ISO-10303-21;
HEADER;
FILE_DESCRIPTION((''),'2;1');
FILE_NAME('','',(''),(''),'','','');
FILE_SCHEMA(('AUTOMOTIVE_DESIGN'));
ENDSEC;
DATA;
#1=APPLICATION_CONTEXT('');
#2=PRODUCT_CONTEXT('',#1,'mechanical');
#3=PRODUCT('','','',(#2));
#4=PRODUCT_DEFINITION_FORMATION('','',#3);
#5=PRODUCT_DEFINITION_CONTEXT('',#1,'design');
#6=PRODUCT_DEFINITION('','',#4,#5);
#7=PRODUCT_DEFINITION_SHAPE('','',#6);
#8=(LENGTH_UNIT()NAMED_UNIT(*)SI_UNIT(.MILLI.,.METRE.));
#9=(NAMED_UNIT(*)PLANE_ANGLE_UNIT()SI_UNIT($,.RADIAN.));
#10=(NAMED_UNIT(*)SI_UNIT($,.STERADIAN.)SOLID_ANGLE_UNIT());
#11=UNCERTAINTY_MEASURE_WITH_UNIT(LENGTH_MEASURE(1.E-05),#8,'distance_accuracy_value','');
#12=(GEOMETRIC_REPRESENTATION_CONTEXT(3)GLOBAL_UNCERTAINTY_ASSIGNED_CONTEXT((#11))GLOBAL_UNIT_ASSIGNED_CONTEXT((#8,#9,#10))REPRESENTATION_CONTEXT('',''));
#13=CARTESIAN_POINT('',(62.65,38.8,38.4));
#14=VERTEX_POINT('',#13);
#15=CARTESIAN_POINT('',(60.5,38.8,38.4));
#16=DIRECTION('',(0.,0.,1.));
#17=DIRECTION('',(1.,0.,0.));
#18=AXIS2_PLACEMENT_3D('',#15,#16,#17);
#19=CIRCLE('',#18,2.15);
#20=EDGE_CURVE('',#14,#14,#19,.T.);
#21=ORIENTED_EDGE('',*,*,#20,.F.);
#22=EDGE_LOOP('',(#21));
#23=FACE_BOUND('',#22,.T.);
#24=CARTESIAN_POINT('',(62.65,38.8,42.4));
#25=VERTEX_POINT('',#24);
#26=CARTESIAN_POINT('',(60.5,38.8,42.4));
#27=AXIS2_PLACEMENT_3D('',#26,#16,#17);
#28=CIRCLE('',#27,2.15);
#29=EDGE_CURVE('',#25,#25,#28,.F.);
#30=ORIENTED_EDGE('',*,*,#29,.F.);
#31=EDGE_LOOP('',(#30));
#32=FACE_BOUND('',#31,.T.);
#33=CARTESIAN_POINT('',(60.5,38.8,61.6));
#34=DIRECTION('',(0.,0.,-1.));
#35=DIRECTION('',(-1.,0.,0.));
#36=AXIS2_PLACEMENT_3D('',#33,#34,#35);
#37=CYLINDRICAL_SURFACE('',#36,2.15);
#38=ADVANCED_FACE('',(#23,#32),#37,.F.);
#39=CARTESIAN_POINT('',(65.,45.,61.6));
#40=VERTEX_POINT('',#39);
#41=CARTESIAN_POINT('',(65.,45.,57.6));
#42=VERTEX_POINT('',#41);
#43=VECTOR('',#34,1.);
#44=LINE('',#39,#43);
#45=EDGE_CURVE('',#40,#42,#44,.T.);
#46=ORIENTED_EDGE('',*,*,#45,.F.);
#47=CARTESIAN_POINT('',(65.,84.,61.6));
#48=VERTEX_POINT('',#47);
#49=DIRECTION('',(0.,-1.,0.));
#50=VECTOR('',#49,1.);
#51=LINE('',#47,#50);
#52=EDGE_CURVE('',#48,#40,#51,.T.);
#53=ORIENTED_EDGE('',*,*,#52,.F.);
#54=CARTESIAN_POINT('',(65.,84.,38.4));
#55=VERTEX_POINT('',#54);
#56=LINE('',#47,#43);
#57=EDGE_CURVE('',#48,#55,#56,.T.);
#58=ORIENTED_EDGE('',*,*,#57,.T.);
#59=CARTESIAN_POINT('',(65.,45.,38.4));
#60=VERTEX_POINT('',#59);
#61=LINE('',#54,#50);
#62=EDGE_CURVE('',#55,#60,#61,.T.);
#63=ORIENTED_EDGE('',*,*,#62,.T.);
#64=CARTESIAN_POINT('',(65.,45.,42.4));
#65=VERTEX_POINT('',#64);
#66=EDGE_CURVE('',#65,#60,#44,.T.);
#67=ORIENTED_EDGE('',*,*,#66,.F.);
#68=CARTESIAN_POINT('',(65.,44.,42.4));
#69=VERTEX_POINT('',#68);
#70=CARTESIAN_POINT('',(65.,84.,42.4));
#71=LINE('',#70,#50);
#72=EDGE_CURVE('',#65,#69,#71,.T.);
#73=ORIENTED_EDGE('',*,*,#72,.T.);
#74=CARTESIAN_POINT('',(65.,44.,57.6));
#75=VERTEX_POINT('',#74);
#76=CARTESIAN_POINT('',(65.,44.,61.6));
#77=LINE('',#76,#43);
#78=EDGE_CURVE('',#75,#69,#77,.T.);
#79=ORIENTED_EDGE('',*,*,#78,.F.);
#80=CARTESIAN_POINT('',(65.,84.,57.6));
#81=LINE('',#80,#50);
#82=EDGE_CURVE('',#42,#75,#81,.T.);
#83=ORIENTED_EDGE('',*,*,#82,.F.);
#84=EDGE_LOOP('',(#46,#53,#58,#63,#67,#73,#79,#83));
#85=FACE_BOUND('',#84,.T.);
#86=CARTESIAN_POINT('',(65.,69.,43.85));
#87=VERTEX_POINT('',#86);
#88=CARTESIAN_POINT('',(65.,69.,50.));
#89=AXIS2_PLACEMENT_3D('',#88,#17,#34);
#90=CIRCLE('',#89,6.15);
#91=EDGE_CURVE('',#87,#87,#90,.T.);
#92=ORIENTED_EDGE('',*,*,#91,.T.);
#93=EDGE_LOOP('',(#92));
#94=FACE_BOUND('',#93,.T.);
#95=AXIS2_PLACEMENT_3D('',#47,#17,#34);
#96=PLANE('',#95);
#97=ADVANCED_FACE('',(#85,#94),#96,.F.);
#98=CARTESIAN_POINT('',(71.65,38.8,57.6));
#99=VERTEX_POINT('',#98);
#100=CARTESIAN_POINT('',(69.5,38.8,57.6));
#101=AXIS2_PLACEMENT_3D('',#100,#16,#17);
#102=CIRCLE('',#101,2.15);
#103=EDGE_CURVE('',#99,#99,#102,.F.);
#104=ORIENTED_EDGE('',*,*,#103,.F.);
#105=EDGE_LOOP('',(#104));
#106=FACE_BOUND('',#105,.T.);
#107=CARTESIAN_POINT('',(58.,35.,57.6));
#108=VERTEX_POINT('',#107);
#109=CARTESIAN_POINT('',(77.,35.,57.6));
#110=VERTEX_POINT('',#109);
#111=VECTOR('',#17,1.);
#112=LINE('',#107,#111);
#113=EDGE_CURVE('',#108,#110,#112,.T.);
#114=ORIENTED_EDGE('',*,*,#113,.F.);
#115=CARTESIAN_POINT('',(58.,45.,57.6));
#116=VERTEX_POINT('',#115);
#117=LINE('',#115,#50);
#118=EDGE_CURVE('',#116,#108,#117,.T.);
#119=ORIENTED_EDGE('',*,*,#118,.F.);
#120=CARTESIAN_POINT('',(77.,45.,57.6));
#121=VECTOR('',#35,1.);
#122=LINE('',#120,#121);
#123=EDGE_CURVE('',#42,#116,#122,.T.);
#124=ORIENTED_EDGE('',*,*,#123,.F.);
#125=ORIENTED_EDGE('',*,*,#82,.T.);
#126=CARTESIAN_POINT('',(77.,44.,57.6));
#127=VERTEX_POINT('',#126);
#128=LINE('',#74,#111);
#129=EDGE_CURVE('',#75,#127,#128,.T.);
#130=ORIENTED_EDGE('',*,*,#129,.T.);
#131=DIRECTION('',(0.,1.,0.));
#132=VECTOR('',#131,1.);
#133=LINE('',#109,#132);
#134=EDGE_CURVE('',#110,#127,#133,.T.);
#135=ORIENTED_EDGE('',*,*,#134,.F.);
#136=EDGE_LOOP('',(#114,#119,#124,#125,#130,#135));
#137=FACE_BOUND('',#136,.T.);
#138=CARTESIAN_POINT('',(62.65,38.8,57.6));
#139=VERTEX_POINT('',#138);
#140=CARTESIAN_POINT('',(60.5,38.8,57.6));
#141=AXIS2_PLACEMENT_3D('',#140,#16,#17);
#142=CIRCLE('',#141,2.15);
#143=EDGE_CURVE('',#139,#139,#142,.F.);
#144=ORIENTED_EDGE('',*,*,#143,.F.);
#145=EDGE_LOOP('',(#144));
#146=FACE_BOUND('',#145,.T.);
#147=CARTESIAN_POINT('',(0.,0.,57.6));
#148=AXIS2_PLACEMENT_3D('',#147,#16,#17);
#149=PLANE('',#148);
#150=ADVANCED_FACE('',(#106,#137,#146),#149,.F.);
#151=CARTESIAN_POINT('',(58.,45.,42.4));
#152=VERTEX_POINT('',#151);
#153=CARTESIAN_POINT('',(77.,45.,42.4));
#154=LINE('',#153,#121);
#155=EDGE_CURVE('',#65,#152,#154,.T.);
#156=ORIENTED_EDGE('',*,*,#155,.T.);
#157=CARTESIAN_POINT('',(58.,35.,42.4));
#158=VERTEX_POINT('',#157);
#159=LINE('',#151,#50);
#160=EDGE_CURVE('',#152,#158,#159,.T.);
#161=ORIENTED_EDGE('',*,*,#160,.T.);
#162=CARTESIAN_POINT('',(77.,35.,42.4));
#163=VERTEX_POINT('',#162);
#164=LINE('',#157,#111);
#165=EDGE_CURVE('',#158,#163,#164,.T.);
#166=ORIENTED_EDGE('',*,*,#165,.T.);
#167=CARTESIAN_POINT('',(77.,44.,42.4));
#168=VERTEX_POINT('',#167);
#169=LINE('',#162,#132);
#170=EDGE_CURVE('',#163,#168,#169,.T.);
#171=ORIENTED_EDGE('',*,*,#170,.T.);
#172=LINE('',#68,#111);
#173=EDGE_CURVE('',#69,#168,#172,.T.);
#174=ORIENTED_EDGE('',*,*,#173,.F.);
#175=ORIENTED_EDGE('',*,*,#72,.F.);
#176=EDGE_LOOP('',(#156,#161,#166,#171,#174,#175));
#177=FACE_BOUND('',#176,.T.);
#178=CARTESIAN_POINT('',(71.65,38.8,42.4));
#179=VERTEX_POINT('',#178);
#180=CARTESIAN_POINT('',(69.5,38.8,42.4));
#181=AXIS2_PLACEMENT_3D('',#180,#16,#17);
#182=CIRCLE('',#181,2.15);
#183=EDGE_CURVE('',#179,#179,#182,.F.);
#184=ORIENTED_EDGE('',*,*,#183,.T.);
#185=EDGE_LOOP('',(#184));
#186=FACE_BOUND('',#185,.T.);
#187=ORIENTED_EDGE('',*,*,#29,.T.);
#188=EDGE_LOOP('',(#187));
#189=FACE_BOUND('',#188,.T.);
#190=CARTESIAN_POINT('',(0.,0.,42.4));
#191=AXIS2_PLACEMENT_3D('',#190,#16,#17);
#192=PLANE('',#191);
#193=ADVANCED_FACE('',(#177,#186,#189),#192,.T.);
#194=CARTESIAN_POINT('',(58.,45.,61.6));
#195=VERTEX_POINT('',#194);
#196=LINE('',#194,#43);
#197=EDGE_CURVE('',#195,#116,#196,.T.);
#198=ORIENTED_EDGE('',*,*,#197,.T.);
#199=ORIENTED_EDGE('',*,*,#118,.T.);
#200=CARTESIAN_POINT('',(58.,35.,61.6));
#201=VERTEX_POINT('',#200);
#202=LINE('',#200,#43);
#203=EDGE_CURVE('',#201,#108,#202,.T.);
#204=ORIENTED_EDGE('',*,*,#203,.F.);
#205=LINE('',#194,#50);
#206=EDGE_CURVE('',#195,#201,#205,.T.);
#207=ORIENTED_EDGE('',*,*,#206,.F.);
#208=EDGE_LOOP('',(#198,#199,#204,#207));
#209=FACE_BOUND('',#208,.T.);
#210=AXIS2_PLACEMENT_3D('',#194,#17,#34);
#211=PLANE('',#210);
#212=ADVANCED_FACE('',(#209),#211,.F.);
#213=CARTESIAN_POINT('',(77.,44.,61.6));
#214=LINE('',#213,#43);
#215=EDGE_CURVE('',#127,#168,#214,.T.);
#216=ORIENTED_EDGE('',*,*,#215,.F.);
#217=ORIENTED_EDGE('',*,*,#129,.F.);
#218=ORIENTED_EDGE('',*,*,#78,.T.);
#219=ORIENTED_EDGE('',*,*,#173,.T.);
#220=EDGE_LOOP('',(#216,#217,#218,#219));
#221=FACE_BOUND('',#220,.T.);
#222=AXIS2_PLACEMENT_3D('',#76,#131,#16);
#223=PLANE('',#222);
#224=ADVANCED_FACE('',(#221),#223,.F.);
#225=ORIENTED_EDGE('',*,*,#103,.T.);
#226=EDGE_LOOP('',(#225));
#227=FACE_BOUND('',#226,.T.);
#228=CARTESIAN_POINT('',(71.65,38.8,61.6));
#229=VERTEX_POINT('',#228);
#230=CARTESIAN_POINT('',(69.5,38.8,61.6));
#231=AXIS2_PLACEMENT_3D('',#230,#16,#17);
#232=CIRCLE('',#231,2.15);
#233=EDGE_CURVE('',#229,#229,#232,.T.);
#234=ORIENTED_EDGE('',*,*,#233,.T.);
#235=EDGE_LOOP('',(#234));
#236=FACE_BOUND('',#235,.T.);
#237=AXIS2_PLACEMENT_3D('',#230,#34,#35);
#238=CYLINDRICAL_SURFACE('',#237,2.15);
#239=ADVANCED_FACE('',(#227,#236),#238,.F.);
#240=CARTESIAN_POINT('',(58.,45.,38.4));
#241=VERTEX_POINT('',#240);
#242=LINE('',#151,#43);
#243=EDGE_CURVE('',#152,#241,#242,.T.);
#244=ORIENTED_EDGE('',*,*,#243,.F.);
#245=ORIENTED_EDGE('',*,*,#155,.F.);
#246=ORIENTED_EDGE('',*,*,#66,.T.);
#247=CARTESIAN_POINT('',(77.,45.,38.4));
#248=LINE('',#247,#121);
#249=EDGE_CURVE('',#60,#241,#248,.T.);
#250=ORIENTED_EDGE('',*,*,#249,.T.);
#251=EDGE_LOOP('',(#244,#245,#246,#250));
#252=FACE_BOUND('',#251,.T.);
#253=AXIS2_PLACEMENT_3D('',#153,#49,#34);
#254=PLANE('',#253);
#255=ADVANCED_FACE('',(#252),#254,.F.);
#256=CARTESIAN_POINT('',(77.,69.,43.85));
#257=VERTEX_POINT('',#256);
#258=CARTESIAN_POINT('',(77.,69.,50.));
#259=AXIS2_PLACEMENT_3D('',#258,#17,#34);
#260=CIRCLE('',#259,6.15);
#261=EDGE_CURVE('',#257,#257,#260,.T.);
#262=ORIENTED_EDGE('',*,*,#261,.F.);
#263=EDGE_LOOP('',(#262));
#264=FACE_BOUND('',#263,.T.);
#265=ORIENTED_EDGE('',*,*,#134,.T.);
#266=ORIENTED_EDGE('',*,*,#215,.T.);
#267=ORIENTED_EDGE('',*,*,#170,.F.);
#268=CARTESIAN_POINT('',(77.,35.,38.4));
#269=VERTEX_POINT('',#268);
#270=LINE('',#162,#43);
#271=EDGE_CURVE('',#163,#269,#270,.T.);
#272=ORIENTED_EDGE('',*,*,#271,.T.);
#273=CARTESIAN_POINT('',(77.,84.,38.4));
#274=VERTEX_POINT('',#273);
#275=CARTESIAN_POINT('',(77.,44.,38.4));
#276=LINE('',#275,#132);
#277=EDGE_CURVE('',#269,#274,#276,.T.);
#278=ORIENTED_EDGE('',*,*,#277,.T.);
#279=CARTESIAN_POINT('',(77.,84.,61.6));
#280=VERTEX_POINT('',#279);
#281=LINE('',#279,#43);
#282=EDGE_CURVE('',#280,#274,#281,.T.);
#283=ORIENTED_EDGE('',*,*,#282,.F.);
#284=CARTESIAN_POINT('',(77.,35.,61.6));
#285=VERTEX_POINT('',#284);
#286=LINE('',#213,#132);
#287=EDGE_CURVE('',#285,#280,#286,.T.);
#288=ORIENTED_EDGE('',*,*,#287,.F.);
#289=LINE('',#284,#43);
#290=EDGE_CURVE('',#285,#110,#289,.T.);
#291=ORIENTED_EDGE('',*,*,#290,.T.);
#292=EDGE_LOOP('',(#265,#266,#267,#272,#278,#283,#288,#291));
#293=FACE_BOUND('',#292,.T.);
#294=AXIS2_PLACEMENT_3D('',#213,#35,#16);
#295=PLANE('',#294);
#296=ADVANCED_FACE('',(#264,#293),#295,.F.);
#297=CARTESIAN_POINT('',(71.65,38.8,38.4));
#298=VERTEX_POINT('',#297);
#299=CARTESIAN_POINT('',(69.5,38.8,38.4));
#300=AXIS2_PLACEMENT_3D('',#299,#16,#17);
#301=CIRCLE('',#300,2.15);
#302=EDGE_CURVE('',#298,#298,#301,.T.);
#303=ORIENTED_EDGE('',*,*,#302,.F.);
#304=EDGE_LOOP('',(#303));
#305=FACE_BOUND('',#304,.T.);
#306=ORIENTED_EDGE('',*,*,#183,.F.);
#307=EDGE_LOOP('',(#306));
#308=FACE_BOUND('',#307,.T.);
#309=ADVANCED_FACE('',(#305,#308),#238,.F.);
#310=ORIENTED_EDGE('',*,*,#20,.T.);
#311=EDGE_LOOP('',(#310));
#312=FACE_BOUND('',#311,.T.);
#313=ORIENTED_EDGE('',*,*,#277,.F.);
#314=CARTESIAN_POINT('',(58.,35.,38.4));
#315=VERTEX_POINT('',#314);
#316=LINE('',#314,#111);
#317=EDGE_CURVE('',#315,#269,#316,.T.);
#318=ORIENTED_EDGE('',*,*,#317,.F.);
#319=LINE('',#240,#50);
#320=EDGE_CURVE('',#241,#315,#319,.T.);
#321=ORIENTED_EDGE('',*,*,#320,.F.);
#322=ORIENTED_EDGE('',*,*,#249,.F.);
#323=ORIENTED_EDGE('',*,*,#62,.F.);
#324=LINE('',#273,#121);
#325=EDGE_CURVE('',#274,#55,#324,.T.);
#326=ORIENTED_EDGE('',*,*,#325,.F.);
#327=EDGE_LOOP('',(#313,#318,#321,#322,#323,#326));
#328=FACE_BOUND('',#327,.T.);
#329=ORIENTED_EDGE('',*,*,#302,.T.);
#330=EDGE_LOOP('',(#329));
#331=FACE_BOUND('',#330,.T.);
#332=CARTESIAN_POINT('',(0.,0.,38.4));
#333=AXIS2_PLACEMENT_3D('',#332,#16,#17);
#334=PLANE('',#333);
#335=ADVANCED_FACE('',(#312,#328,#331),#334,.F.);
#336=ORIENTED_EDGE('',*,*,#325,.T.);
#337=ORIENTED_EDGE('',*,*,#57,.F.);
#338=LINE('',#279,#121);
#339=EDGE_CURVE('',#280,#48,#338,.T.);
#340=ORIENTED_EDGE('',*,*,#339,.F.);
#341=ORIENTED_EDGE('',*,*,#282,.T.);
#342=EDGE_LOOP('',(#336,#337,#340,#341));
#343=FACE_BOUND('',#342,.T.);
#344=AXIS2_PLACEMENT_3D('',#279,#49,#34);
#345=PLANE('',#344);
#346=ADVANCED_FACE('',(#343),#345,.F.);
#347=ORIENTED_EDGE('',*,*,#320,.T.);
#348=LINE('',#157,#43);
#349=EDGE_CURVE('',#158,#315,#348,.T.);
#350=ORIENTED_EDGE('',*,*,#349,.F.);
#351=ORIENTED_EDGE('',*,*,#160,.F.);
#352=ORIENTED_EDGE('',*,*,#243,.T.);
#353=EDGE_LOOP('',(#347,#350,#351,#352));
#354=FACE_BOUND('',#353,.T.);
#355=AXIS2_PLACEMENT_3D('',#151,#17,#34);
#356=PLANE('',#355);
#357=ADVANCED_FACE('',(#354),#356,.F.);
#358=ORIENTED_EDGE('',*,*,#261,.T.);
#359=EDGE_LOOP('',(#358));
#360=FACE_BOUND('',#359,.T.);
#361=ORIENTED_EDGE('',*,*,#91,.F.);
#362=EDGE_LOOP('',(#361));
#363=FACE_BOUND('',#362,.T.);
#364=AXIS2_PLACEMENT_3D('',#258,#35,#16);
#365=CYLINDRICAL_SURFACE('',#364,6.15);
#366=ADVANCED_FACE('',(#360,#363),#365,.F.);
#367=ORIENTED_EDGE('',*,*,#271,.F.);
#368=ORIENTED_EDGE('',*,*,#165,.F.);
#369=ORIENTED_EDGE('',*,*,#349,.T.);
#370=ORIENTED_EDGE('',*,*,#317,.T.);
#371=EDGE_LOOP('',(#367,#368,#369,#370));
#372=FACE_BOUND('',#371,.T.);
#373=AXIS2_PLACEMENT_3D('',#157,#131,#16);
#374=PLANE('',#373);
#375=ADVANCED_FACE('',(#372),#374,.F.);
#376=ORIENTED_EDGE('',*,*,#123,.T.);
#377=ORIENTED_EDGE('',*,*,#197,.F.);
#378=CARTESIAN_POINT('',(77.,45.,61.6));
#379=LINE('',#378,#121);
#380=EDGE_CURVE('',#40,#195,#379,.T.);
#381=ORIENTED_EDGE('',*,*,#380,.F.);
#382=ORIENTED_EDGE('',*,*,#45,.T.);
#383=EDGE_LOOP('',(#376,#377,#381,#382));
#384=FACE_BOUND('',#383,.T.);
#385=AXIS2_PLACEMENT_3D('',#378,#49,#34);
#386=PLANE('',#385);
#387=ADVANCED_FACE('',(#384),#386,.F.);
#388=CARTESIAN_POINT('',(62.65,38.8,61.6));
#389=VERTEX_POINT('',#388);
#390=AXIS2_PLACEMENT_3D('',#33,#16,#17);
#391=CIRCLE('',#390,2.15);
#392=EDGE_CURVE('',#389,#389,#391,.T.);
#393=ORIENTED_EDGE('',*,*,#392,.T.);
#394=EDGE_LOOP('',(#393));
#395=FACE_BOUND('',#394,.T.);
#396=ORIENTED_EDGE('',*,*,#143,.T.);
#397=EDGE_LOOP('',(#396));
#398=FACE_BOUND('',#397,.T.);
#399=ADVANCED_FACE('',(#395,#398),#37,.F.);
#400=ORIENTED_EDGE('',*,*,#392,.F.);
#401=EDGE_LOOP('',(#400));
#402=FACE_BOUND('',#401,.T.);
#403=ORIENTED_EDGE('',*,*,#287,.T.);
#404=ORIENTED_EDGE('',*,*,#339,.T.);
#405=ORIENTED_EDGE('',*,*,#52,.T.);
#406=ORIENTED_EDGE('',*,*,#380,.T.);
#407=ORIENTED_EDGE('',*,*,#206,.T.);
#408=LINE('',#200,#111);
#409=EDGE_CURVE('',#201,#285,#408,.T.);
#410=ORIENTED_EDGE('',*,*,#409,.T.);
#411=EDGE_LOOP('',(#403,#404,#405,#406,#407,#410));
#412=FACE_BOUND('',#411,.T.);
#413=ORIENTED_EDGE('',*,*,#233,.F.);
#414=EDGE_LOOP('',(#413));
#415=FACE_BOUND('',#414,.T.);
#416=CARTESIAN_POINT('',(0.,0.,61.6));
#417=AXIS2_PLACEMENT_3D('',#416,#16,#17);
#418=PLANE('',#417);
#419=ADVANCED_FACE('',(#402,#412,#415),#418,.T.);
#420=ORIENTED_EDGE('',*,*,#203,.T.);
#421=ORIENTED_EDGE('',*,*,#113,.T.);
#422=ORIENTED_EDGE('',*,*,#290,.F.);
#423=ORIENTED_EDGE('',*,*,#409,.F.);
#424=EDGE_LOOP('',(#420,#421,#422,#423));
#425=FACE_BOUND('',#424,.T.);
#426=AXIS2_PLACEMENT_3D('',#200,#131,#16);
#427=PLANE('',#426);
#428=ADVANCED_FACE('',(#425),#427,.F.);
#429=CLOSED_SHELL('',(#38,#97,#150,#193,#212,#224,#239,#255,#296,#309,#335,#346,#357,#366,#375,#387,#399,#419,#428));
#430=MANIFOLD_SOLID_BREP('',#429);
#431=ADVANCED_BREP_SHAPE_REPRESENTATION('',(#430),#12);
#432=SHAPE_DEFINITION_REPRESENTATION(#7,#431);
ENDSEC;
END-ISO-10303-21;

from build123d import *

# Parameters (mm, degrees)
GUIDED_START                               = 38.4
SKETCH1_W                                  = 12
SKETCH1_H                                  = 40
GUIDED_BRIDGE_WITH_ROD_COUPLING_SEAT_DEPTH = 23.2
LOWER_START                                = 38.4
SKETCH2_W                                  = 19
SKETCH2_H                                  = 10
LOWER_LAP_EAR_CLEARS_STOP_STATION_DEPTH    = 4
UPPER_START                                = 57.6
SKETCH3_W                                  = 19
SKETCH3_H                                  = 10
UPPER_LAP_EAR_CLEARS_STOP_STATION_DEPTH    = 4
M4_START                                   = 38.4
SKETCH4_R                                  = 2.15
M4_JOINT_BOLT_CLEARANCE_DEPTH              = 23.2
RADIAL_START                               = 65
SKETCH5_R                                  = 6.15
RADIAL_FLOATING_STUD_CLEARANCE_DEPTH       = 12


with BuildPart() as part:
    # Sketch1 → Guided bridge with rod coupling seat (new body)
    with BuildSketch(Plane.XY.offset(GUIDED_START)):
        with Locations((71, 64)):
            Rectangle(SKETCH1_W, SKETCH1_H)
    extrude(amount=GUIDED_BRIDGE_WITH_ROD_COUPLING_SEAT_DEPTH)

    # Sketch2 → Lower lap ear clears stop station (add)
    with BuildSketch(Plane.XY.offset(LOWER_START)):
        with Locations((67.5, 40)):
            Rectangle(SKETCH2_W, SKETCH2_H)
    extrude(amount=LOWER_LAP_EAR_CLEARS_STOP_STATION_DEPTH)

    # Sketch3 → Upper lap ear clears stop station (add)
    with BuildSketch(Plane.XY.offset(UPPER_START)):
        with Locations((67.5, 40)):
            Rectangle(SKETCH3_W, SKETCH3_H)
    extrude(amount=UPPER_LAP_EAR_CLEARS_STOP_STATION_DEPTH)

    # Sketch4 → M4 joint bolt clearance (cut)
    with BuildSketch(Plane.XY.offset(M4_START)):
        with Locations((60.5, 38.8)):
            Circle(SKETCH4_R)
        with Locations((69.5, 38.8)):
            Circle(SKETCH4_R)
    extrude(amount=M4_JOINT_BOLT_CLEARANCE_DEPTH, mode=Mode.SUBTRACT)

    # Sketch5 → Radial floating stud clearance (cut)
    with BuildSketch(Plane(origin=(0, 0, 0), x_dir=(0, 0, -1), z_dir=(1, 0, 0)).offset(RADIAL_START)):
        with Locations((-50, 69)):
            Circle(SKETCH5_R)
    extrude(amount=RADIAL_FLOATING_STUD_CLEARANCE_DEPTH, mode=Mode.SUBTRACT)


solid = part.part
